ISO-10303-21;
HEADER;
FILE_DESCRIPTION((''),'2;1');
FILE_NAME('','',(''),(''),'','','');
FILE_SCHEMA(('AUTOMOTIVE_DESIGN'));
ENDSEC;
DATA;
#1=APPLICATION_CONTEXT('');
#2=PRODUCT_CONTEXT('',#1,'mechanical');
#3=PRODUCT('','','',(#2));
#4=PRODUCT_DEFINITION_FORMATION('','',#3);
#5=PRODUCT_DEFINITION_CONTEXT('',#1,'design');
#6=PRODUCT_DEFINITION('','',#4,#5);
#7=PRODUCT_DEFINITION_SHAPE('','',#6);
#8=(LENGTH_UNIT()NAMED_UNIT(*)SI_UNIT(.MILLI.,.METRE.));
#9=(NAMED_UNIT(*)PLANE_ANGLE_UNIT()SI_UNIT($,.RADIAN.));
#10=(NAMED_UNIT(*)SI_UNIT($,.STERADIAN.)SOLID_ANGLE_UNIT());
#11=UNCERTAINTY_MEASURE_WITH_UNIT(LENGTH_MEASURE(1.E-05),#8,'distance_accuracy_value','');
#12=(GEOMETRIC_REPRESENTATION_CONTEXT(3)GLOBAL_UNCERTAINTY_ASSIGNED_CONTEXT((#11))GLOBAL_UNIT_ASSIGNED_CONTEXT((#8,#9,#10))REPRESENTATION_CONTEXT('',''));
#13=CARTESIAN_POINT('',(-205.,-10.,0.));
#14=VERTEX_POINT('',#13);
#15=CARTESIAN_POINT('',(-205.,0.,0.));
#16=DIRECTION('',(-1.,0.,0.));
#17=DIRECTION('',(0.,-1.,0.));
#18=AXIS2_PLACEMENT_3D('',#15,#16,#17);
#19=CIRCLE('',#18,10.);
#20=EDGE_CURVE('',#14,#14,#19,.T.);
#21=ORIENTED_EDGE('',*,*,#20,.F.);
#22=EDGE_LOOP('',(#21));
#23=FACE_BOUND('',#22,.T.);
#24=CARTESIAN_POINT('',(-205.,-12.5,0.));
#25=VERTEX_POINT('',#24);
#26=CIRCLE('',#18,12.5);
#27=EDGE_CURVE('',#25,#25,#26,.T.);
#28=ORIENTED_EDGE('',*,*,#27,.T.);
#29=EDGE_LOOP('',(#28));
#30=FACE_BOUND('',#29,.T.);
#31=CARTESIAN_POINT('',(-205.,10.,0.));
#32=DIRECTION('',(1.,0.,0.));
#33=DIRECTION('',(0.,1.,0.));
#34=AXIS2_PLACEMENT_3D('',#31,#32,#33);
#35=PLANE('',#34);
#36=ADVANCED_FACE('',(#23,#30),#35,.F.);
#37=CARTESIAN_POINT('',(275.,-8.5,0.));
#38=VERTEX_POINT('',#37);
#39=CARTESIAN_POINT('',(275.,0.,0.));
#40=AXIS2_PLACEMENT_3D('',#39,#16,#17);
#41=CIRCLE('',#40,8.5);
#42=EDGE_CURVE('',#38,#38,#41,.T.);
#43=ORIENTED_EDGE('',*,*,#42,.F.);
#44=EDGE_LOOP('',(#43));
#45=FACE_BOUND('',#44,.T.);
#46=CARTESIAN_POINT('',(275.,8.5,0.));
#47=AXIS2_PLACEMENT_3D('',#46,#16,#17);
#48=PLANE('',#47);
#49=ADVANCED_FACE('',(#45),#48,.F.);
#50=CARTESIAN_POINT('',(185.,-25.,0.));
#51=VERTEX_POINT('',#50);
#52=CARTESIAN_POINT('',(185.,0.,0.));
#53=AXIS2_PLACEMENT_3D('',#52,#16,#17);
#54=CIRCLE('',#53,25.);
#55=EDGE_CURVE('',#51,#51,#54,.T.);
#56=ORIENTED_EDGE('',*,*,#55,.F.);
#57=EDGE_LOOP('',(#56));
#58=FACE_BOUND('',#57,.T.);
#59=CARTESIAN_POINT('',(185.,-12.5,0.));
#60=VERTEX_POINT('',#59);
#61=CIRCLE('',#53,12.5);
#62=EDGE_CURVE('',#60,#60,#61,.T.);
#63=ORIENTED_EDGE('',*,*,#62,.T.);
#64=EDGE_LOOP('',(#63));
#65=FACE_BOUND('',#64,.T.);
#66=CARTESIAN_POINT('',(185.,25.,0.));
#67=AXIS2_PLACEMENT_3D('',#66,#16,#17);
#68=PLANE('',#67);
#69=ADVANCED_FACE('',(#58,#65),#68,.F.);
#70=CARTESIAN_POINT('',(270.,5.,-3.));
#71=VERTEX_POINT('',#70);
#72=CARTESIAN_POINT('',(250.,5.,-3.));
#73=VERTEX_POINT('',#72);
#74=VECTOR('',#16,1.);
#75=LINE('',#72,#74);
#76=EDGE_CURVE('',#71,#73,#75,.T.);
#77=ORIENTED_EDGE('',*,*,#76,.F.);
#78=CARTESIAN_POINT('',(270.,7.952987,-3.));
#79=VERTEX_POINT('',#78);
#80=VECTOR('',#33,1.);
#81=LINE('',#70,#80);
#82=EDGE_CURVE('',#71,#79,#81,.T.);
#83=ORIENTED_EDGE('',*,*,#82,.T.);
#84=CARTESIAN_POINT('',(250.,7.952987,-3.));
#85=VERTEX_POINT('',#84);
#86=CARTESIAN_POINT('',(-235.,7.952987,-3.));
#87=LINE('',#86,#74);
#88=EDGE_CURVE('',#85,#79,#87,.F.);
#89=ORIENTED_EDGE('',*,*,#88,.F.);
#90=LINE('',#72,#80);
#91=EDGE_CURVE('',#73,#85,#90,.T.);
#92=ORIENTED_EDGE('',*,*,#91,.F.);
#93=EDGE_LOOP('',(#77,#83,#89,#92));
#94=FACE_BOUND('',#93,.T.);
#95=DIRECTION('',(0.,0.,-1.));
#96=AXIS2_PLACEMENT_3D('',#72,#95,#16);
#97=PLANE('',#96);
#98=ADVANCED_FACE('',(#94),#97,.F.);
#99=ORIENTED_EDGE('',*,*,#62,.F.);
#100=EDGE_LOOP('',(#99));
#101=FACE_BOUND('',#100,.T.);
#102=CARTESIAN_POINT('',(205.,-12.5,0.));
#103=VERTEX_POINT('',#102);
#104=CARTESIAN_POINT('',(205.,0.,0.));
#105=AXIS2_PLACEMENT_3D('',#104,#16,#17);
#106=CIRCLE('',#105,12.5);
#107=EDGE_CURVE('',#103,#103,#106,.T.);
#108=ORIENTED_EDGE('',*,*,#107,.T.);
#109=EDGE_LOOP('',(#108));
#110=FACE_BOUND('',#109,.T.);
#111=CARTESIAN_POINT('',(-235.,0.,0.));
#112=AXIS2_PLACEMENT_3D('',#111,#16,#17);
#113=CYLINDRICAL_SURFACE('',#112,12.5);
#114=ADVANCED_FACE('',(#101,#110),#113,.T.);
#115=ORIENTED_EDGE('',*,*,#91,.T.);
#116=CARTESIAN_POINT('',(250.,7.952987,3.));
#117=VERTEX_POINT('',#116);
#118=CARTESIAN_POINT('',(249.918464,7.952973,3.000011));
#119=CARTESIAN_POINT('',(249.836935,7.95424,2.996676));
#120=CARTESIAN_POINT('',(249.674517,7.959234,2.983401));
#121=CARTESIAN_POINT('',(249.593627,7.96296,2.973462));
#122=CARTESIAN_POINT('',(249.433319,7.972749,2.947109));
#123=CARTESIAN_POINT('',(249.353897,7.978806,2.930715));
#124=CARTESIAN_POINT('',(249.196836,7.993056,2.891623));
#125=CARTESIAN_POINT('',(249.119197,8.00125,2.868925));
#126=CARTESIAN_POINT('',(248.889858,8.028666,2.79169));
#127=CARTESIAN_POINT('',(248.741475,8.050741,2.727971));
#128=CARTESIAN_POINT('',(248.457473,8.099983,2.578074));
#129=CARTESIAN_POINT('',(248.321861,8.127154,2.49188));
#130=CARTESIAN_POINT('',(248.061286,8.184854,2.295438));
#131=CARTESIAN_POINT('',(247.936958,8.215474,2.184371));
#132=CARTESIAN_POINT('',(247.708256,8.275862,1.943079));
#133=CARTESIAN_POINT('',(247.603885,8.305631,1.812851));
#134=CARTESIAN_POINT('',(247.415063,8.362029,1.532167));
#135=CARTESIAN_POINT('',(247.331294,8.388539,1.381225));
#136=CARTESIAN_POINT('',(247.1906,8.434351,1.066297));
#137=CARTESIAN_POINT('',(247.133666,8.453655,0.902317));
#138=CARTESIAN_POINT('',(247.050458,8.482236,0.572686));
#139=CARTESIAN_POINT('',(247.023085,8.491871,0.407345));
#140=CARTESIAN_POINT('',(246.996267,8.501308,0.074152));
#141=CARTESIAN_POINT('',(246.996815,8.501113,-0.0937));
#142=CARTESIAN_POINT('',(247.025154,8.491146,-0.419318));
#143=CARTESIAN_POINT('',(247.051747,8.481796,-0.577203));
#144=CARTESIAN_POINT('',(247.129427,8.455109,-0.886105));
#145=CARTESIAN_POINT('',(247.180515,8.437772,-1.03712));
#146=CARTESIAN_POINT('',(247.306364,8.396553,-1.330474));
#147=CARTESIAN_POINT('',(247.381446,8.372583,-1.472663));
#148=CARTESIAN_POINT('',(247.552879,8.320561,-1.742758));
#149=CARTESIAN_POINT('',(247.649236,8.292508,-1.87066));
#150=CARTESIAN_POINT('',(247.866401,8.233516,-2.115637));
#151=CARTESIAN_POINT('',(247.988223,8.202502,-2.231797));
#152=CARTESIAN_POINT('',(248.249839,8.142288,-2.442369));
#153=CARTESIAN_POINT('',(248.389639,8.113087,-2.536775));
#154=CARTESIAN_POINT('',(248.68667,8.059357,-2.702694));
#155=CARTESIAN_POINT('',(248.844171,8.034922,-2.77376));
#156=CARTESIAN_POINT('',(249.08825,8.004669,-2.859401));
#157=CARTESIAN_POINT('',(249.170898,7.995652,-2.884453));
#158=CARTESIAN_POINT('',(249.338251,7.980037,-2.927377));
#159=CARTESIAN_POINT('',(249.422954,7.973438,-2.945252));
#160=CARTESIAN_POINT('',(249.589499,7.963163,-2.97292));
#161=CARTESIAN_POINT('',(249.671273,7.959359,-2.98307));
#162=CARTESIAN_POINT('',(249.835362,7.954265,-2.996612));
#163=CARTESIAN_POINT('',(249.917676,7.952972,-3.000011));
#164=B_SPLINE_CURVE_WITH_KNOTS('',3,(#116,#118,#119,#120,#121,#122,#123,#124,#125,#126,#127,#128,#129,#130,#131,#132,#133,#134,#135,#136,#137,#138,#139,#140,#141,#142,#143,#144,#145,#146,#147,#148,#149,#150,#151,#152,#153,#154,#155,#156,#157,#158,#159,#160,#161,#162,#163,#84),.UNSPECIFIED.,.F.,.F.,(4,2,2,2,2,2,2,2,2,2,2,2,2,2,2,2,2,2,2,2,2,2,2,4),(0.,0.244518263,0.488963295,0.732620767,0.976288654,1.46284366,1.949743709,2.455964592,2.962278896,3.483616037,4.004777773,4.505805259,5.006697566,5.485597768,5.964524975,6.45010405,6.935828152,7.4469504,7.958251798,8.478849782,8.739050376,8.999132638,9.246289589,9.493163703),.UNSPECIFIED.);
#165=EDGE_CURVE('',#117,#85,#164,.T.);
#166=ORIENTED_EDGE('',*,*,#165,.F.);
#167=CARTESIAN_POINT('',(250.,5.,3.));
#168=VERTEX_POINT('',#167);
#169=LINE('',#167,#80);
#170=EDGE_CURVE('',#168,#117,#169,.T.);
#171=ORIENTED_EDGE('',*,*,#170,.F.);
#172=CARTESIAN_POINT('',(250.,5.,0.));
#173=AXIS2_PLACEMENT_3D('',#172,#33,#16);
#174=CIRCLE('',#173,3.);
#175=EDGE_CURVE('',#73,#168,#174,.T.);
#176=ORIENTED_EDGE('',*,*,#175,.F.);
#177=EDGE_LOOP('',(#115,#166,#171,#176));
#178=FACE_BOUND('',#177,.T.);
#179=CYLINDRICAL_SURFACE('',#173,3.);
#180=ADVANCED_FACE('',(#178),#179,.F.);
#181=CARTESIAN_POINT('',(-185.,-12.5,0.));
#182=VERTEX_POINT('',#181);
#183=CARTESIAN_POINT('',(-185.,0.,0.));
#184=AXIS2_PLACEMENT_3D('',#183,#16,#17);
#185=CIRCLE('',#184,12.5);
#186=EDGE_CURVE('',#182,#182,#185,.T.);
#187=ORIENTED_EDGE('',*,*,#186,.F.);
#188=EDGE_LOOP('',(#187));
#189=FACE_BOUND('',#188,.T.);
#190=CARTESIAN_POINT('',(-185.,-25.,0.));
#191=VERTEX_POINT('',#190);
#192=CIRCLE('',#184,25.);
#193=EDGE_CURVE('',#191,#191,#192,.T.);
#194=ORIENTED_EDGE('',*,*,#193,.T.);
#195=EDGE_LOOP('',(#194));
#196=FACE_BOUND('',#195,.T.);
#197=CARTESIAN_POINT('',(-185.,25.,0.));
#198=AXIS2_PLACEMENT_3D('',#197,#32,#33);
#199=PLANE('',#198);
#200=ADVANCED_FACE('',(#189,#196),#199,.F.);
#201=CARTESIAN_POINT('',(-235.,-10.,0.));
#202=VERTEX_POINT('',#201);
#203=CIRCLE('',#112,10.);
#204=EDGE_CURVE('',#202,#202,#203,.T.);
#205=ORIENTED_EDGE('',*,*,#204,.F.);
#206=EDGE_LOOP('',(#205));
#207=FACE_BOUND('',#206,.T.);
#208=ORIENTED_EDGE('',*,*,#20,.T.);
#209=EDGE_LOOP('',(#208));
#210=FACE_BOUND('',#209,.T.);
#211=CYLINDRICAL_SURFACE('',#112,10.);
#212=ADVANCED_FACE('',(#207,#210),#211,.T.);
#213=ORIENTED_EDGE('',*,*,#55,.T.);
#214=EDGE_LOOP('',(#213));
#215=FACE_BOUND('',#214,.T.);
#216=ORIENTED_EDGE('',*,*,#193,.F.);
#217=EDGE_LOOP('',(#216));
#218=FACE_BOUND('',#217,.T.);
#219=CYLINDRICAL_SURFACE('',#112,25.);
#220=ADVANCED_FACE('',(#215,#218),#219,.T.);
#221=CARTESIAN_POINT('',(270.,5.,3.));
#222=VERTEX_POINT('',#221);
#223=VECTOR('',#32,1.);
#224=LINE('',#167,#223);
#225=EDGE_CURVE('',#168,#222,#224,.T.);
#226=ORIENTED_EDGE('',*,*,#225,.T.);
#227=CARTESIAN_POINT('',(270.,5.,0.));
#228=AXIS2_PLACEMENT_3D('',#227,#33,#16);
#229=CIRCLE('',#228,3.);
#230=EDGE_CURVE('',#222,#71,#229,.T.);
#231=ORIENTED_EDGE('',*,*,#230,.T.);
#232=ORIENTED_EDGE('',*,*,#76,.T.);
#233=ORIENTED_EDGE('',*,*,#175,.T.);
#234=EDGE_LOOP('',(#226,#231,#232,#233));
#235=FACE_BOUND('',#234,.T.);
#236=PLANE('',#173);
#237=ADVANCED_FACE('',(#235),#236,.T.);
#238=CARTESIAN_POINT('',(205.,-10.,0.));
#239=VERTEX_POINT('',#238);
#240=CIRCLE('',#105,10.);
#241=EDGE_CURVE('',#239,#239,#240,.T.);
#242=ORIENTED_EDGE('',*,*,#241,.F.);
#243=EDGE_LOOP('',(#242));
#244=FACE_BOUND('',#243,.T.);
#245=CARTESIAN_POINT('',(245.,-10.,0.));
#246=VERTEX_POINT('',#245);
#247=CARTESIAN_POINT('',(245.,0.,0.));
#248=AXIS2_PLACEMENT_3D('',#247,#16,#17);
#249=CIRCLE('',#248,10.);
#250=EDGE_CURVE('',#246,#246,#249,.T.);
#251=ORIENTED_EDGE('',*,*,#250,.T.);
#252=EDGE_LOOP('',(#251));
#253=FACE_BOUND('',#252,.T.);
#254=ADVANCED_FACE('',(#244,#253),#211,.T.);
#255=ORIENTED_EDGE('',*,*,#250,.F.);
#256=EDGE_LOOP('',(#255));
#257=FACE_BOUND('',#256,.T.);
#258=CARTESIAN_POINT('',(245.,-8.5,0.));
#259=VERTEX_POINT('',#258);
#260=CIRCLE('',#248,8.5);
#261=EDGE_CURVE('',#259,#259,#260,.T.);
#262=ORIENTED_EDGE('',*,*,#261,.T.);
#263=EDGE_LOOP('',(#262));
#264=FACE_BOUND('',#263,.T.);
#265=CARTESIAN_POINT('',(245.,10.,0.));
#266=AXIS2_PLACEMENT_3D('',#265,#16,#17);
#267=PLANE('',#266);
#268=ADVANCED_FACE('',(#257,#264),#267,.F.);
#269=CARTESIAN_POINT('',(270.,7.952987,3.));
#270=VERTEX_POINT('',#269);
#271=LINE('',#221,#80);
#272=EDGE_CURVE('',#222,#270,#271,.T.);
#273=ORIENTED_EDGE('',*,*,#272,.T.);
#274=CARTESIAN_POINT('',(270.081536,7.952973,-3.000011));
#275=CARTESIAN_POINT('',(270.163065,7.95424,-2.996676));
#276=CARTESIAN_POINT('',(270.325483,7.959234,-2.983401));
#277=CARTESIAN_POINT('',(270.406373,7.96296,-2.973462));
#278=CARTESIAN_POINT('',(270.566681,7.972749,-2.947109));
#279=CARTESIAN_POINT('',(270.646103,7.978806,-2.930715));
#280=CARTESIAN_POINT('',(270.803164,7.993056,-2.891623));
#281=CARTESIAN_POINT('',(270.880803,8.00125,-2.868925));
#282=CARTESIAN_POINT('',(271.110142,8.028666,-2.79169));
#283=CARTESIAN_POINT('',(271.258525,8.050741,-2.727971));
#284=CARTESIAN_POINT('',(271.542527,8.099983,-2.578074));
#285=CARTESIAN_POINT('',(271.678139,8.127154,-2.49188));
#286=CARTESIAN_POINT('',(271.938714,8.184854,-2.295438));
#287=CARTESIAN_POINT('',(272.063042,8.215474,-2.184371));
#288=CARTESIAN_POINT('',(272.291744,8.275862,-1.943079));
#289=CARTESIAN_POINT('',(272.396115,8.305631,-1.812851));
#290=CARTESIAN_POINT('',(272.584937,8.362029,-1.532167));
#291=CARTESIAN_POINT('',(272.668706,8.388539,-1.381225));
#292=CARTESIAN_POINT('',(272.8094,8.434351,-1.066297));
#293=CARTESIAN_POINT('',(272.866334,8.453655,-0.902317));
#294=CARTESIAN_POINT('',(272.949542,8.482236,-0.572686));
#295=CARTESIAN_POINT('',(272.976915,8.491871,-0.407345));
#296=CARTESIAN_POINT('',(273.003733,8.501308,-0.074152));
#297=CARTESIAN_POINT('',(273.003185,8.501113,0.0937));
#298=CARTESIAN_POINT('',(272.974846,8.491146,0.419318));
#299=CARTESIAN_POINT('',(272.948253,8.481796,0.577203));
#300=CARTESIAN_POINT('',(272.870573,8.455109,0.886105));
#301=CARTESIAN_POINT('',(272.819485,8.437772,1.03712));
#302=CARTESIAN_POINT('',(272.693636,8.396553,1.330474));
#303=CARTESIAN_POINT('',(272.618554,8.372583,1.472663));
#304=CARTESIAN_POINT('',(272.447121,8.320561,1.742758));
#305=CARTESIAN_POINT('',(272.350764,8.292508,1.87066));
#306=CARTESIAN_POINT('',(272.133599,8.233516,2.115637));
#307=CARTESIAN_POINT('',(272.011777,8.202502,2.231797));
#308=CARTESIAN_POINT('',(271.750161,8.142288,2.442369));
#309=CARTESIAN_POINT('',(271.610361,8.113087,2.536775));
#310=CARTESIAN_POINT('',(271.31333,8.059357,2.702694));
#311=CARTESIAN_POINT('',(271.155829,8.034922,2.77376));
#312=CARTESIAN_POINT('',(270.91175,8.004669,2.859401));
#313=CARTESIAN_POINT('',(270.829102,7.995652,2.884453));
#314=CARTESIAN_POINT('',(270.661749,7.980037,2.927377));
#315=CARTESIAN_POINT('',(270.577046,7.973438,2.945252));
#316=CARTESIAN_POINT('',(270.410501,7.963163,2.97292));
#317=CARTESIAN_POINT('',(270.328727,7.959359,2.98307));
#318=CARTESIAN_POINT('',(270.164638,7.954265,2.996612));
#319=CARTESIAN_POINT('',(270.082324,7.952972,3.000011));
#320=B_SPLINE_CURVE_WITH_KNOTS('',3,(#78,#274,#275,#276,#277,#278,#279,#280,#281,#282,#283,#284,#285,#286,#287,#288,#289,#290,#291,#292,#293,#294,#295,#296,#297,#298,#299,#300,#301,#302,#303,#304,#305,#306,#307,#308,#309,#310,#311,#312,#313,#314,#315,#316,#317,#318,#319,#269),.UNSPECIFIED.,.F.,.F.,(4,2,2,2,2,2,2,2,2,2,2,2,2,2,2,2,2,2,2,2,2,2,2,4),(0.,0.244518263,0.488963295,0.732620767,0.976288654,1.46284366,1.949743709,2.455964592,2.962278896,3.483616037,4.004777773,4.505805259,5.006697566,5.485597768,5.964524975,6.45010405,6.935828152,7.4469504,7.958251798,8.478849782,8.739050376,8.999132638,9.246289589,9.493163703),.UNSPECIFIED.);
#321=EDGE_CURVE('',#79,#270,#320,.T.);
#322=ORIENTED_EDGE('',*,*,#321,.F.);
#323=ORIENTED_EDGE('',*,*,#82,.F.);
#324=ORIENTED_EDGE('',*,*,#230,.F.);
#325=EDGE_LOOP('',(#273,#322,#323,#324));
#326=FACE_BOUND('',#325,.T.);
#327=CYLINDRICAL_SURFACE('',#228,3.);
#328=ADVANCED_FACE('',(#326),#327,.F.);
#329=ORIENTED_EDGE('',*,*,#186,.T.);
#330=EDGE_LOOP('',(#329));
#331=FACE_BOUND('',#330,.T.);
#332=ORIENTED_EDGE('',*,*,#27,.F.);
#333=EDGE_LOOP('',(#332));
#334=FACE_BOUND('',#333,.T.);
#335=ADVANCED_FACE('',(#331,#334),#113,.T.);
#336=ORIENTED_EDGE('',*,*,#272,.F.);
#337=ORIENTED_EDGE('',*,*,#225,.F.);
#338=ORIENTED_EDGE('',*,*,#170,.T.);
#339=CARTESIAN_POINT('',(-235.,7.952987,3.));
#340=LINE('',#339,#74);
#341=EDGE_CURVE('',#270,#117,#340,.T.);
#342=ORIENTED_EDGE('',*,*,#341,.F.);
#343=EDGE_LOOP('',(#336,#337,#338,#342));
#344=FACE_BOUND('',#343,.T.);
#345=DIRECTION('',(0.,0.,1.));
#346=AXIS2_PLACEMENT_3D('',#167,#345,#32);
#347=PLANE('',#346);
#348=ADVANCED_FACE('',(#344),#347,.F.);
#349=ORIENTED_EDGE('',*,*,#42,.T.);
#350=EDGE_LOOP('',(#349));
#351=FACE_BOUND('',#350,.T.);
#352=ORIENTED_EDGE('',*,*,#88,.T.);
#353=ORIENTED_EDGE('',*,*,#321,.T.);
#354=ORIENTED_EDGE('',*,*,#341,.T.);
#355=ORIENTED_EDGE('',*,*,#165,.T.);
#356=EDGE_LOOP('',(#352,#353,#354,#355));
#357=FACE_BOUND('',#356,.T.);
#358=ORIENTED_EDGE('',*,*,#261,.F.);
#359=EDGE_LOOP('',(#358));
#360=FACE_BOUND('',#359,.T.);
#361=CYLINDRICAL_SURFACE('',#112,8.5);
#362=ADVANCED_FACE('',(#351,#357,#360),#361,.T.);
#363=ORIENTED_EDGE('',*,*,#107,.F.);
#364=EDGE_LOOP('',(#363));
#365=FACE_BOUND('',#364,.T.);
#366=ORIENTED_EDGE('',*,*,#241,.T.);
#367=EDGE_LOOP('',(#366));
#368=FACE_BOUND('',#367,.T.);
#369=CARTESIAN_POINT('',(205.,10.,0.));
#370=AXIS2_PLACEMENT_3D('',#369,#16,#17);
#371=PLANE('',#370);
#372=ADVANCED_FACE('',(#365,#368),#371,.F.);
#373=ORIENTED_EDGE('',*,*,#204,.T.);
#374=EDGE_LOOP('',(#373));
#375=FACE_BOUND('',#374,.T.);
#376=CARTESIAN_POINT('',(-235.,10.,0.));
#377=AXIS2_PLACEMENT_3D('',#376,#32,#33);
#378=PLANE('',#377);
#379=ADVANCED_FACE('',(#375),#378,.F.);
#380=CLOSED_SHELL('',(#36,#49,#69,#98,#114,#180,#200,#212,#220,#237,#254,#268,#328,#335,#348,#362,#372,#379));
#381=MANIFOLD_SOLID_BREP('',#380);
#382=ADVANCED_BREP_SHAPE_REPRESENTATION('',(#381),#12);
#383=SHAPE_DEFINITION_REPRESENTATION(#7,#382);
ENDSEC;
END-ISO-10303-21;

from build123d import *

# Parameters (mm, degrees)
CUT_EXTRUDE_1_DEPTH = 3.5


with BuildPart() as part:
    # 草图1 → 旋转1 (revolve)
    with BuildSketch(Plane.XY):
        Polygon((-185, 25), (185, 25), (185, 12.5), (205, 12.5), (205, 10), (245, 10), (245, 8.5), (275, 8.5), (275, 0), (235, 0), (-235, 0), (-235, 10), (-205, 10), (-205, 12.5), (-185, 12.5), align=None)
    revolve(axis=Axis((-235, 0, 0), (1, 0, 0)))

    # 草图2 → 切除-拉伸1 (cut)
    with BuildSketch(Plane(origin=(0, 8.5, 0), x_dir=(1, 0, 0), z_dir=(0, 1, 0))):
        with BuildLine():
            Line((250, 3), (270, 3))
            ThreePointArc((270, 3), (273, 0), (270, -3))
            Line((270, -3), (250, -3))
            ThreePointArc((250, -3), (247, 0), (250, 3))
        make_face()
    extrude(amount=-CUT_EXTRUDE_1_DEPTH, mode=Mode.SUBTRACT)


solid = part.part
